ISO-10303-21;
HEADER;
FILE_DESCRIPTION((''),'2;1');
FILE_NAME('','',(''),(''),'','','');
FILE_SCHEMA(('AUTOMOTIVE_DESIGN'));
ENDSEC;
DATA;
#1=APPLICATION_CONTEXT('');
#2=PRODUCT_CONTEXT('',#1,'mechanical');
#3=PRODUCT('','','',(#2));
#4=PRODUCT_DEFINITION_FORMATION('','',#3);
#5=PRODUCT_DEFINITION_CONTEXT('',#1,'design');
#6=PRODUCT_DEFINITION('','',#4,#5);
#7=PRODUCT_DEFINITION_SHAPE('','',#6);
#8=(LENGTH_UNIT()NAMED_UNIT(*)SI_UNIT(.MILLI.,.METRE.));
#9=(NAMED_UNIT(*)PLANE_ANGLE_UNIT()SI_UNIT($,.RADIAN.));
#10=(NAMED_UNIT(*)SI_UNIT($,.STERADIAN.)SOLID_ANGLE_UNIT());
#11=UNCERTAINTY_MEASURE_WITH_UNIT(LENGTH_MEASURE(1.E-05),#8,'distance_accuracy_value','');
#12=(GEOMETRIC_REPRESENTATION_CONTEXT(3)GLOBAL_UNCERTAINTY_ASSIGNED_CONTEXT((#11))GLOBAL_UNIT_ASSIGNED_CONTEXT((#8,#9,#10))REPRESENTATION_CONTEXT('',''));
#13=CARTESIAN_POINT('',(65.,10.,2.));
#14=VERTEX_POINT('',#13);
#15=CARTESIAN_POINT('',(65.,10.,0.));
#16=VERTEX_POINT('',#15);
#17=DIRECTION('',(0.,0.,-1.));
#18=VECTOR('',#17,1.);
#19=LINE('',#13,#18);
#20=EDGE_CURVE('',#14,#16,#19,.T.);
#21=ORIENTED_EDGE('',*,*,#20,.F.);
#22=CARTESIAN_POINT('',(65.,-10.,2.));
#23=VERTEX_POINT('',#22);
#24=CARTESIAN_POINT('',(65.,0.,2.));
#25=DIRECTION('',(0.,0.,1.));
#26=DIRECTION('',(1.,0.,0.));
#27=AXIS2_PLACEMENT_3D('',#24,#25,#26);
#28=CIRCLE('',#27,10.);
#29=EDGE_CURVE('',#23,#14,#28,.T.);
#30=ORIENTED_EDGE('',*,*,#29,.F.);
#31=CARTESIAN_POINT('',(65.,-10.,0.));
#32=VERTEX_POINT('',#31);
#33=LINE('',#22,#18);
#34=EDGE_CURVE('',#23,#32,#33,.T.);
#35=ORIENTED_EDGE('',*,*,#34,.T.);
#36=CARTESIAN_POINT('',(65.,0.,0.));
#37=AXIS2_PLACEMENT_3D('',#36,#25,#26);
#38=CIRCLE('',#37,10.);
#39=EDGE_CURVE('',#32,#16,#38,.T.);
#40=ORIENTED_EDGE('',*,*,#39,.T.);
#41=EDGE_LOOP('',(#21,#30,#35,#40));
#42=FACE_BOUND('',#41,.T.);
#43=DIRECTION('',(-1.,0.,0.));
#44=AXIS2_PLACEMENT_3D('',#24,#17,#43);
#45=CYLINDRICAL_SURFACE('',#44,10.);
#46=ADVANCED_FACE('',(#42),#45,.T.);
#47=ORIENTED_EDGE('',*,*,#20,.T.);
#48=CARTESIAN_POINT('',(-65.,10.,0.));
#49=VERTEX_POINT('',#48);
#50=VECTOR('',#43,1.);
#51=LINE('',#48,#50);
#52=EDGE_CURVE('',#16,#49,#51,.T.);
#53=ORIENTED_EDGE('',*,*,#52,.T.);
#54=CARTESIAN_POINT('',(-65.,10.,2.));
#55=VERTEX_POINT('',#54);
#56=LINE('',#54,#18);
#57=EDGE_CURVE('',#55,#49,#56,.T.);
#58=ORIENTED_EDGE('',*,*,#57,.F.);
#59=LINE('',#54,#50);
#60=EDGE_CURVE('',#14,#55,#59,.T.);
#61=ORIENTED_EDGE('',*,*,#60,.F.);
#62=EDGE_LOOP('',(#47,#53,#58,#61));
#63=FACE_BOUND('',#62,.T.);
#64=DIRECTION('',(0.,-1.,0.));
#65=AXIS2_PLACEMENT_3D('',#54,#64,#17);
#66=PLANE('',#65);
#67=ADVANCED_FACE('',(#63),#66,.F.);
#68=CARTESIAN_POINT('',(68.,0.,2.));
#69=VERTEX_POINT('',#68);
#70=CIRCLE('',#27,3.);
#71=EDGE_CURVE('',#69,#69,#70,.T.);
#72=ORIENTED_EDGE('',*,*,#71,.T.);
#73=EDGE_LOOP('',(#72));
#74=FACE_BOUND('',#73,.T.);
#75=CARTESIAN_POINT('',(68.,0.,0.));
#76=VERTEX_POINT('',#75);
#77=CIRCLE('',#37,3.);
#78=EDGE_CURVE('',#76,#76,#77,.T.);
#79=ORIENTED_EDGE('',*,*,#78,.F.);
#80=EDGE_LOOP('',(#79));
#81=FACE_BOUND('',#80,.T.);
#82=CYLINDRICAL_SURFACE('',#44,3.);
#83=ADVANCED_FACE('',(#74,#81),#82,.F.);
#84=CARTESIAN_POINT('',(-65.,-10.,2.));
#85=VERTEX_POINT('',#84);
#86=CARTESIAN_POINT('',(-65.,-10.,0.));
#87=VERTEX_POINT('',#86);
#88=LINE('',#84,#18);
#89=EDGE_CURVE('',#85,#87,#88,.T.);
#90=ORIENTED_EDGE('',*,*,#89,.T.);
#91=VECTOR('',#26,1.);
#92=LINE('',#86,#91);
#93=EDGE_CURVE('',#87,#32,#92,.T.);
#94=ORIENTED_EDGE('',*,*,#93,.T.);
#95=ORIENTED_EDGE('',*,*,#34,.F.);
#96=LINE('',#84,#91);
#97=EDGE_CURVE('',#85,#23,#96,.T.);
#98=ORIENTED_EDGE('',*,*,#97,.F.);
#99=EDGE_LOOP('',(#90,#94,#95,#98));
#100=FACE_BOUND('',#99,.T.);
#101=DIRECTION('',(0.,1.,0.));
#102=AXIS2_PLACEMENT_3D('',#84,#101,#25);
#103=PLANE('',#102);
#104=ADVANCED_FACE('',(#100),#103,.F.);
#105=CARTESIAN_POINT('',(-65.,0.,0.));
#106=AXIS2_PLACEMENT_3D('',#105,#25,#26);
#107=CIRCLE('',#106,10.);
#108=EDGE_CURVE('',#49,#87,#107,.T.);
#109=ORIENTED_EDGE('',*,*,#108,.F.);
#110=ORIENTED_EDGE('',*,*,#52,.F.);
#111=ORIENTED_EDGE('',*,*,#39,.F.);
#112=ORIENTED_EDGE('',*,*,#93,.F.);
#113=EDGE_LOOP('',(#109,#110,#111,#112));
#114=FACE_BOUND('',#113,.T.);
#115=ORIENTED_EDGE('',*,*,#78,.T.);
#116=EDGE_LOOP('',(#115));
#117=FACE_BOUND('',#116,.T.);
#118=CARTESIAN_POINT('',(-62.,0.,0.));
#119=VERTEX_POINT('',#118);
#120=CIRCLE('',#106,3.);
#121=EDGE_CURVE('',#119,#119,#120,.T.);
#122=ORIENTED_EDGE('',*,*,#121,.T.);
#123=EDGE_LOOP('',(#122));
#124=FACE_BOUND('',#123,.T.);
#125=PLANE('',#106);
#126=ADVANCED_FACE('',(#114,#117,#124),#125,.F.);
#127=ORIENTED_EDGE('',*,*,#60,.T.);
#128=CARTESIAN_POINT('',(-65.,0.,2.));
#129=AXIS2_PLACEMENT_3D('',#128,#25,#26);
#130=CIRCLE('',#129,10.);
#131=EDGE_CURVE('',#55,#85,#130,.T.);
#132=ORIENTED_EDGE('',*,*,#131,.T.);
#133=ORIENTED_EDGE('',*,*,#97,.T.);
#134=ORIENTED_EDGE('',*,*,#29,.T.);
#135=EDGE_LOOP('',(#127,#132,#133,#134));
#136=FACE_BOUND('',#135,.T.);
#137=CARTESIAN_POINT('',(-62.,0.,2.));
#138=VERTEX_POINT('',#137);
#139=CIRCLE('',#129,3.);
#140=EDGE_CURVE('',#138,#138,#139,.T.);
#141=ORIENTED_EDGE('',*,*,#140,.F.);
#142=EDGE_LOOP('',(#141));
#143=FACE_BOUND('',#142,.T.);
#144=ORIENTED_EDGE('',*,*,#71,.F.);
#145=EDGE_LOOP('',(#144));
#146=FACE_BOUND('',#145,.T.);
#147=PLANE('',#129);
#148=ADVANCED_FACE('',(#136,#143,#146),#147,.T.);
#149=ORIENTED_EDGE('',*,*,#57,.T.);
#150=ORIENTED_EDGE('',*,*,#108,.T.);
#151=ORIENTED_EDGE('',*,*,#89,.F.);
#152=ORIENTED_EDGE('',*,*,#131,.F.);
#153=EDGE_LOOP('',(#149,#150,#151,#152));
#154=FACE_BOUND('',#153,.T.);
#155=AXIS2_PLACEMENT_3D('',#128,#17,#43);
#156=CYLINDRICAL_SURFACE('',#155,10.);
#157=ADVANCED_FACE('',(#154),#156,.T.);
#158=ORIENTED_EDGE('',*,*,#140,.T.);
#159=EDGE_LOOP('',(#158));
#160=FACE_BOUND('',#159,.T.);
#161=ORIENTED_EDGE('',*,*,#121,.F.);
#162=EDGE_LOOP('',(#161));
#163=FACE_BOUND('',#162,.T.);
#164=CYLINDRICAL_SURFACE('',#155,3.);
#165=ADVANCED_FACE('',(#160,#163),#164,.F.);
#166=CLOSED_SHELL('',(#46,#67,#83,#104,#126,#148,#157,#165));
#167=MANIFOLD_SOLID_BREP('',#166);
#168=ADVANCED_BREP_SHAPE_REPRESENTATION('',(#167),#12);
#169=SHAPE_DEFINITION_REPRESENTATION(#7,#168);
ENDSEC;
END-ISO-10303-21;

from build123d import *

# Parameters (mm, degrees)
IZIM1_R                     = 3
Y_KSEKLIK_EKSTR_ZYON1_DEPTH = 2


with BuildPart() as part:
    # Çizim1 → Yükseklik-Ekstrüzyon1 (new body)
    with BuildSketch(Plane.XY):
        with BuildLine():
            Line((-65, 9.999999679), (65, 9.999999679))
            ThreePointArc((65, 9.999999679), (74.999999679, 0), (65, -9.999999679))
            Line((65, -9.999999679), (-65, -9.999999679))
            ThreePointArc((-65, -9.999999679), (-74.999999679, 0), (-65, 9.999999679))
        make_face()
        with Locations((-65, 0)):
            Circle(IZIM1_R, mode=Mode.SUBTRACT)
        with Locations((65, 0)):
            Circle(IZIM1_R, mode=Mode.SUBTRACT)
    extrude(amount=Y_KSEKLIK_EKSTR_ZYON1_DEPTH)


solid = part.part
